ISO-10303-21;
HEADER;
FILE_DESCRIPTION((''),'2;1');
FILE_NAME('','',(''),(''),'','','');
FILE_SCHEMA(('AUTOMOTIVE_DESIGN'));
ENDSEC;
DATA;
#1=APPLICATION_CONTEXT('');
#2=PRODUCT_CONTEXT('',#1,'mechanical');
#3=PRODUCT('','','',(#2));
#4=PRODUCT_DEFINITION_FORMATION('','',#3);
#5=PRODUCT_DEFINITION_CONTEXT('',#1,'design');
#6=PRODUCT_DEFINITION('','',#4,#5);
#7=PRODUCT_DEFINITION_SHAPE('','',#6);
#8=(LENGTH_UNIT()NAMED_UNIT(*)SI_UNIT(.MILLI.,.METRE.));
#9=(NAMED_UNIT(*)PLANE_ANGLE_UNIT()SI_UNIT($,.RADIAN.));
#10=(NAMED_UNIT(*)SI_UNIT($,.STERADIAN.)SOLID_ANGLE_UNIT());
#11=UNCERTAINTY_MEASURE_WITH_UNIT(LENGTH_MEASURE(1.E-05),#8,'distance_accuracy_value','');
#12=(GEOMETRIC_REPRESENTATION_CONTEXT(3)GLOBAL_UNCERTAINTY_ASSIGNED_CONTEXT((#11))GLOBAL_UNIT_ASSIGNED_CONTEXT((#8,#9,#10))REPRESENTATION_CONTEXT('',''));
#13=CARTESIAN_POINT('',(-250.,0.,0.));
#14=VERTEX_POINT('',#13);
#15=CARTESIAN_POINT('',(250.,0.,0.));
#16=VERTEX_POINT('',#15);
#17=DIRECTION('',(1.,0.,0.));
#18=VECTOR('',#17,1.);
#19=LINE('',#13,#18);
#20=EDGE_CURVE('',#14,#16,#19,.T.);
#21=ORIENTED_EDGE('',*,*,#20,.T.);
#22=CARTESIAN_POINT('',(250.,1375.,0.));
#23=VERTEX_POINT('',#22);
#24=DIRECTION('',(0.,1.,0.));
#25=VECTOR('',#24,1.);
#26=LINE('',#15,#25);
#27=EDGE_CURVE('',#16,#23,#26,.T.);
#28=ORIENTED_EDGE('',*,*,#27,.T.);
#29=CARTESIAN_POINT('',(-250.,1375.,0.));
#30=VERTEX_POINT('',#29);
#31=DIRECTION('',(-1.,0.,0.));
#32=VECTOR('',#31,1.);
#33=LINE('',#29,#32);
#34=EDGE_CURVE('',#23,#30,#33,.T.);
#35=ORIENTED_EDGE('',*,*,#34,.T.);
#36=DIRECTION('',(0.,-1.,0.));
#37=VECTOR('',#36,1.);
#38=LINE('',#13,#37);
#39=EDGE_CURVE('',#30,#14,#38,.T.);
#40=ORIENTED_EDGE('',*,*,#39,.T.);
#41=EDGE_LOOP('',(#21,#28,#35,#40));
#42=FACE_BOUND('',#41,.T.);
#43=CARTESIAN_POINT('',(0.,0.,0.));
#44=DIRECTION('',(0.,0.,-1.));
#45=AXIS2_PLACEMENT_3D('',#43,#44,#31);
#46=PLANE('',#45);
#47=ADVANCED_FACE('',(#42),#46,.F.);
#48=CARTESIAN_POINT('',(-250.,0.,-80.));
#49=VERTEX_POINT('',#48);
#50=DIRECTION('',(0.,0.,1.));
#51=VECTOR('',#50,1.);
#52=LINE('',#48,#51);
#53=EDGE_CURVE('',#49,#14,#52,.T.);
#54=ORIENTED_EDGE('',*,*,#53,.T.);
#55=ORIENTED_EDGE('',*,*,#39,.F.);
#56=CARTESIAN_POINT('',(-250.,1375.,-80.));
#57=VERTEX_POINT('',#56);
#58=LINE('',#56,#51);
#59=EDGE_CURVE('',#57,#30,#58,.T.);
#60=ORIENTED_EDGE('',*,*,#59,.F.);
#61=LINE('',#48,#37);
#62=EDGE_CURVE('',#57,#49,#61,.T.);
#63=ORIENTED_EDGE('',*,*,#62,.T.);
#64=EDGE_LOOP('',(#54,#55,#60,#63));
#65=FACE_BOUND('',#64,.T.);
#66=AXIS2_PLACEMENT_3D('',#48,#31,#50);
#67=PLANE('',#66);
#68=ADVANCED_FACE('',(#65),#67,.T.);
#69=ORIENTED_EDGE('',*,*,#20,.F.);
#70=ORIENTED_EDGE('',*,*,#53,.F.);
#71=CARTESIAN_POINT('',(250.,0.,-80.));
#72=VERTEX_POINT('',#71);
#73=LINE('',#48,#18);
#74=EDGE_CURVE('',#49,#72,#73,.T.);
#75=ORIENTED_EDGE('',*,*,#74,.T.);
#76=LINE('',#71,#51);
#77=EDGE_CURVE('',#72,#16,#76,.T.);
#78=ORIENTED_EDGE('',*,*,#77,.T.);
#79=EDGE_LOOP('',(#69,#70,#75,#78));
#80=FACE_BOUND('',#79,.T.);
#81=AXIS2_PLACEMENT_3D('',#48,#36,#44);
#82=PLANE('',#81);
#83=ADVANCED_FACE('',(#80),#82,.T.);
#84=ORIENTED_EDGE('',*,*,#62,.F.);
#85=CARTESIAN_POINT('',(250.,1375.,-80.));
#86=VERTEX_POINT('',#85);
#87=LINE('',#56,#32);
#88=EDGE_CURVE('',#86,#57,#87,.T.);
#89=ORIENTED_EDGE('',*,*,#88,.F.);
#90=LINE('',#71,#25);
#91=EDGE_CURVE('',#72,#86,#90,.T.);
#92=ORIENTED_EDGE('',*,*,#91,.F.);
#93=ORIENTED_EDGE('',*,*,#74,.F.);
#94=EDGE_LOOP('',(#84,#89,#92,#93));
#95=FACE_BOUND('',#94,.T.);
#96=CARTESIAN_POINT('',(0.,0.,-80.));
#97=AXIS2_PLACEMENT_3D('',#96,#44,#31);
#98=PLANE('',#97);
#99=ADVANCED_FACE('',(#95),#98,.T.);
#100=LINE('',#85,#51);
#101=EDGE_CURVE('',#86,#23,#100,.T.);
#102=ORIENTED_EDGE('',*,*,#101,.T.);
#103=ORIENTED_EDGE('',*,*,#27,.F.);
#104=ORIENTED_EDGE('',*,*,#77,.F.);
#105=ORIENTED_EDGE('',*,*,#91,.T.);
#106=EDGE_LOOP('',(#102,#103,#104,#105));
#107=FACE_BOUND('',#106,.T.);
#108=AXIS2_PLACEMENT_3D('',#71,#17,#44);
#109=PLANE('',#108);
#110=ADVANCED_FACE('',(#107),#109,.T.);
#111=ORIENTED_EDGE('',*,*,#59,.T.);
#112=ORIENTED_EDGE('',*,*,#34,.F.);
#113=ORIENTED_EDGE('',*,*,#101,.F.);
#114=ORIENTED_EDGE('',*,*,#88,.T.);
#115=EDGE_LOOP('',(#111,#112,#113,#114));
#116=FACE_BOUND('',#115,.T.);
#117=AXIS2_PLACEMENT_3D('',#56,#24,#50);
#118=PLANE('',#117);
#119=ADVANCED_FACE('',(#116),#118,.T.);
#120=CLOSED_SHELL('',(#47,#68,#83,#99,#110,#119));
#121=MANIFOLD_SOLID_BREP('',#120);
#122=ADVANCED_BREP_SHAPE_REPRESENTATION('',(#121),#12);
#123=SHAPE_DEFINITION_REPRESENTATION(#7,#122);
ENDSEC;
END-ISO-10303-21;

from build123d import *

# Parameters (mm, degrees)
SKETCH1_W           = 500
SKETCH1_H           = 1375
BOSS_EXTRUDE1_DEPTH = 80


with BuildPart() as part:
    # Sketch1 → Boss-Extrude1 (new body)
    with BuildSketch(Plane.XY):
        with Locations((0, 687.5)):
            Rectangle(SKETCH1_W, SKETCH1_H)
    extrude(amount=-BOSS_EXTRUDE1_DEPTH)


solid = part.part
